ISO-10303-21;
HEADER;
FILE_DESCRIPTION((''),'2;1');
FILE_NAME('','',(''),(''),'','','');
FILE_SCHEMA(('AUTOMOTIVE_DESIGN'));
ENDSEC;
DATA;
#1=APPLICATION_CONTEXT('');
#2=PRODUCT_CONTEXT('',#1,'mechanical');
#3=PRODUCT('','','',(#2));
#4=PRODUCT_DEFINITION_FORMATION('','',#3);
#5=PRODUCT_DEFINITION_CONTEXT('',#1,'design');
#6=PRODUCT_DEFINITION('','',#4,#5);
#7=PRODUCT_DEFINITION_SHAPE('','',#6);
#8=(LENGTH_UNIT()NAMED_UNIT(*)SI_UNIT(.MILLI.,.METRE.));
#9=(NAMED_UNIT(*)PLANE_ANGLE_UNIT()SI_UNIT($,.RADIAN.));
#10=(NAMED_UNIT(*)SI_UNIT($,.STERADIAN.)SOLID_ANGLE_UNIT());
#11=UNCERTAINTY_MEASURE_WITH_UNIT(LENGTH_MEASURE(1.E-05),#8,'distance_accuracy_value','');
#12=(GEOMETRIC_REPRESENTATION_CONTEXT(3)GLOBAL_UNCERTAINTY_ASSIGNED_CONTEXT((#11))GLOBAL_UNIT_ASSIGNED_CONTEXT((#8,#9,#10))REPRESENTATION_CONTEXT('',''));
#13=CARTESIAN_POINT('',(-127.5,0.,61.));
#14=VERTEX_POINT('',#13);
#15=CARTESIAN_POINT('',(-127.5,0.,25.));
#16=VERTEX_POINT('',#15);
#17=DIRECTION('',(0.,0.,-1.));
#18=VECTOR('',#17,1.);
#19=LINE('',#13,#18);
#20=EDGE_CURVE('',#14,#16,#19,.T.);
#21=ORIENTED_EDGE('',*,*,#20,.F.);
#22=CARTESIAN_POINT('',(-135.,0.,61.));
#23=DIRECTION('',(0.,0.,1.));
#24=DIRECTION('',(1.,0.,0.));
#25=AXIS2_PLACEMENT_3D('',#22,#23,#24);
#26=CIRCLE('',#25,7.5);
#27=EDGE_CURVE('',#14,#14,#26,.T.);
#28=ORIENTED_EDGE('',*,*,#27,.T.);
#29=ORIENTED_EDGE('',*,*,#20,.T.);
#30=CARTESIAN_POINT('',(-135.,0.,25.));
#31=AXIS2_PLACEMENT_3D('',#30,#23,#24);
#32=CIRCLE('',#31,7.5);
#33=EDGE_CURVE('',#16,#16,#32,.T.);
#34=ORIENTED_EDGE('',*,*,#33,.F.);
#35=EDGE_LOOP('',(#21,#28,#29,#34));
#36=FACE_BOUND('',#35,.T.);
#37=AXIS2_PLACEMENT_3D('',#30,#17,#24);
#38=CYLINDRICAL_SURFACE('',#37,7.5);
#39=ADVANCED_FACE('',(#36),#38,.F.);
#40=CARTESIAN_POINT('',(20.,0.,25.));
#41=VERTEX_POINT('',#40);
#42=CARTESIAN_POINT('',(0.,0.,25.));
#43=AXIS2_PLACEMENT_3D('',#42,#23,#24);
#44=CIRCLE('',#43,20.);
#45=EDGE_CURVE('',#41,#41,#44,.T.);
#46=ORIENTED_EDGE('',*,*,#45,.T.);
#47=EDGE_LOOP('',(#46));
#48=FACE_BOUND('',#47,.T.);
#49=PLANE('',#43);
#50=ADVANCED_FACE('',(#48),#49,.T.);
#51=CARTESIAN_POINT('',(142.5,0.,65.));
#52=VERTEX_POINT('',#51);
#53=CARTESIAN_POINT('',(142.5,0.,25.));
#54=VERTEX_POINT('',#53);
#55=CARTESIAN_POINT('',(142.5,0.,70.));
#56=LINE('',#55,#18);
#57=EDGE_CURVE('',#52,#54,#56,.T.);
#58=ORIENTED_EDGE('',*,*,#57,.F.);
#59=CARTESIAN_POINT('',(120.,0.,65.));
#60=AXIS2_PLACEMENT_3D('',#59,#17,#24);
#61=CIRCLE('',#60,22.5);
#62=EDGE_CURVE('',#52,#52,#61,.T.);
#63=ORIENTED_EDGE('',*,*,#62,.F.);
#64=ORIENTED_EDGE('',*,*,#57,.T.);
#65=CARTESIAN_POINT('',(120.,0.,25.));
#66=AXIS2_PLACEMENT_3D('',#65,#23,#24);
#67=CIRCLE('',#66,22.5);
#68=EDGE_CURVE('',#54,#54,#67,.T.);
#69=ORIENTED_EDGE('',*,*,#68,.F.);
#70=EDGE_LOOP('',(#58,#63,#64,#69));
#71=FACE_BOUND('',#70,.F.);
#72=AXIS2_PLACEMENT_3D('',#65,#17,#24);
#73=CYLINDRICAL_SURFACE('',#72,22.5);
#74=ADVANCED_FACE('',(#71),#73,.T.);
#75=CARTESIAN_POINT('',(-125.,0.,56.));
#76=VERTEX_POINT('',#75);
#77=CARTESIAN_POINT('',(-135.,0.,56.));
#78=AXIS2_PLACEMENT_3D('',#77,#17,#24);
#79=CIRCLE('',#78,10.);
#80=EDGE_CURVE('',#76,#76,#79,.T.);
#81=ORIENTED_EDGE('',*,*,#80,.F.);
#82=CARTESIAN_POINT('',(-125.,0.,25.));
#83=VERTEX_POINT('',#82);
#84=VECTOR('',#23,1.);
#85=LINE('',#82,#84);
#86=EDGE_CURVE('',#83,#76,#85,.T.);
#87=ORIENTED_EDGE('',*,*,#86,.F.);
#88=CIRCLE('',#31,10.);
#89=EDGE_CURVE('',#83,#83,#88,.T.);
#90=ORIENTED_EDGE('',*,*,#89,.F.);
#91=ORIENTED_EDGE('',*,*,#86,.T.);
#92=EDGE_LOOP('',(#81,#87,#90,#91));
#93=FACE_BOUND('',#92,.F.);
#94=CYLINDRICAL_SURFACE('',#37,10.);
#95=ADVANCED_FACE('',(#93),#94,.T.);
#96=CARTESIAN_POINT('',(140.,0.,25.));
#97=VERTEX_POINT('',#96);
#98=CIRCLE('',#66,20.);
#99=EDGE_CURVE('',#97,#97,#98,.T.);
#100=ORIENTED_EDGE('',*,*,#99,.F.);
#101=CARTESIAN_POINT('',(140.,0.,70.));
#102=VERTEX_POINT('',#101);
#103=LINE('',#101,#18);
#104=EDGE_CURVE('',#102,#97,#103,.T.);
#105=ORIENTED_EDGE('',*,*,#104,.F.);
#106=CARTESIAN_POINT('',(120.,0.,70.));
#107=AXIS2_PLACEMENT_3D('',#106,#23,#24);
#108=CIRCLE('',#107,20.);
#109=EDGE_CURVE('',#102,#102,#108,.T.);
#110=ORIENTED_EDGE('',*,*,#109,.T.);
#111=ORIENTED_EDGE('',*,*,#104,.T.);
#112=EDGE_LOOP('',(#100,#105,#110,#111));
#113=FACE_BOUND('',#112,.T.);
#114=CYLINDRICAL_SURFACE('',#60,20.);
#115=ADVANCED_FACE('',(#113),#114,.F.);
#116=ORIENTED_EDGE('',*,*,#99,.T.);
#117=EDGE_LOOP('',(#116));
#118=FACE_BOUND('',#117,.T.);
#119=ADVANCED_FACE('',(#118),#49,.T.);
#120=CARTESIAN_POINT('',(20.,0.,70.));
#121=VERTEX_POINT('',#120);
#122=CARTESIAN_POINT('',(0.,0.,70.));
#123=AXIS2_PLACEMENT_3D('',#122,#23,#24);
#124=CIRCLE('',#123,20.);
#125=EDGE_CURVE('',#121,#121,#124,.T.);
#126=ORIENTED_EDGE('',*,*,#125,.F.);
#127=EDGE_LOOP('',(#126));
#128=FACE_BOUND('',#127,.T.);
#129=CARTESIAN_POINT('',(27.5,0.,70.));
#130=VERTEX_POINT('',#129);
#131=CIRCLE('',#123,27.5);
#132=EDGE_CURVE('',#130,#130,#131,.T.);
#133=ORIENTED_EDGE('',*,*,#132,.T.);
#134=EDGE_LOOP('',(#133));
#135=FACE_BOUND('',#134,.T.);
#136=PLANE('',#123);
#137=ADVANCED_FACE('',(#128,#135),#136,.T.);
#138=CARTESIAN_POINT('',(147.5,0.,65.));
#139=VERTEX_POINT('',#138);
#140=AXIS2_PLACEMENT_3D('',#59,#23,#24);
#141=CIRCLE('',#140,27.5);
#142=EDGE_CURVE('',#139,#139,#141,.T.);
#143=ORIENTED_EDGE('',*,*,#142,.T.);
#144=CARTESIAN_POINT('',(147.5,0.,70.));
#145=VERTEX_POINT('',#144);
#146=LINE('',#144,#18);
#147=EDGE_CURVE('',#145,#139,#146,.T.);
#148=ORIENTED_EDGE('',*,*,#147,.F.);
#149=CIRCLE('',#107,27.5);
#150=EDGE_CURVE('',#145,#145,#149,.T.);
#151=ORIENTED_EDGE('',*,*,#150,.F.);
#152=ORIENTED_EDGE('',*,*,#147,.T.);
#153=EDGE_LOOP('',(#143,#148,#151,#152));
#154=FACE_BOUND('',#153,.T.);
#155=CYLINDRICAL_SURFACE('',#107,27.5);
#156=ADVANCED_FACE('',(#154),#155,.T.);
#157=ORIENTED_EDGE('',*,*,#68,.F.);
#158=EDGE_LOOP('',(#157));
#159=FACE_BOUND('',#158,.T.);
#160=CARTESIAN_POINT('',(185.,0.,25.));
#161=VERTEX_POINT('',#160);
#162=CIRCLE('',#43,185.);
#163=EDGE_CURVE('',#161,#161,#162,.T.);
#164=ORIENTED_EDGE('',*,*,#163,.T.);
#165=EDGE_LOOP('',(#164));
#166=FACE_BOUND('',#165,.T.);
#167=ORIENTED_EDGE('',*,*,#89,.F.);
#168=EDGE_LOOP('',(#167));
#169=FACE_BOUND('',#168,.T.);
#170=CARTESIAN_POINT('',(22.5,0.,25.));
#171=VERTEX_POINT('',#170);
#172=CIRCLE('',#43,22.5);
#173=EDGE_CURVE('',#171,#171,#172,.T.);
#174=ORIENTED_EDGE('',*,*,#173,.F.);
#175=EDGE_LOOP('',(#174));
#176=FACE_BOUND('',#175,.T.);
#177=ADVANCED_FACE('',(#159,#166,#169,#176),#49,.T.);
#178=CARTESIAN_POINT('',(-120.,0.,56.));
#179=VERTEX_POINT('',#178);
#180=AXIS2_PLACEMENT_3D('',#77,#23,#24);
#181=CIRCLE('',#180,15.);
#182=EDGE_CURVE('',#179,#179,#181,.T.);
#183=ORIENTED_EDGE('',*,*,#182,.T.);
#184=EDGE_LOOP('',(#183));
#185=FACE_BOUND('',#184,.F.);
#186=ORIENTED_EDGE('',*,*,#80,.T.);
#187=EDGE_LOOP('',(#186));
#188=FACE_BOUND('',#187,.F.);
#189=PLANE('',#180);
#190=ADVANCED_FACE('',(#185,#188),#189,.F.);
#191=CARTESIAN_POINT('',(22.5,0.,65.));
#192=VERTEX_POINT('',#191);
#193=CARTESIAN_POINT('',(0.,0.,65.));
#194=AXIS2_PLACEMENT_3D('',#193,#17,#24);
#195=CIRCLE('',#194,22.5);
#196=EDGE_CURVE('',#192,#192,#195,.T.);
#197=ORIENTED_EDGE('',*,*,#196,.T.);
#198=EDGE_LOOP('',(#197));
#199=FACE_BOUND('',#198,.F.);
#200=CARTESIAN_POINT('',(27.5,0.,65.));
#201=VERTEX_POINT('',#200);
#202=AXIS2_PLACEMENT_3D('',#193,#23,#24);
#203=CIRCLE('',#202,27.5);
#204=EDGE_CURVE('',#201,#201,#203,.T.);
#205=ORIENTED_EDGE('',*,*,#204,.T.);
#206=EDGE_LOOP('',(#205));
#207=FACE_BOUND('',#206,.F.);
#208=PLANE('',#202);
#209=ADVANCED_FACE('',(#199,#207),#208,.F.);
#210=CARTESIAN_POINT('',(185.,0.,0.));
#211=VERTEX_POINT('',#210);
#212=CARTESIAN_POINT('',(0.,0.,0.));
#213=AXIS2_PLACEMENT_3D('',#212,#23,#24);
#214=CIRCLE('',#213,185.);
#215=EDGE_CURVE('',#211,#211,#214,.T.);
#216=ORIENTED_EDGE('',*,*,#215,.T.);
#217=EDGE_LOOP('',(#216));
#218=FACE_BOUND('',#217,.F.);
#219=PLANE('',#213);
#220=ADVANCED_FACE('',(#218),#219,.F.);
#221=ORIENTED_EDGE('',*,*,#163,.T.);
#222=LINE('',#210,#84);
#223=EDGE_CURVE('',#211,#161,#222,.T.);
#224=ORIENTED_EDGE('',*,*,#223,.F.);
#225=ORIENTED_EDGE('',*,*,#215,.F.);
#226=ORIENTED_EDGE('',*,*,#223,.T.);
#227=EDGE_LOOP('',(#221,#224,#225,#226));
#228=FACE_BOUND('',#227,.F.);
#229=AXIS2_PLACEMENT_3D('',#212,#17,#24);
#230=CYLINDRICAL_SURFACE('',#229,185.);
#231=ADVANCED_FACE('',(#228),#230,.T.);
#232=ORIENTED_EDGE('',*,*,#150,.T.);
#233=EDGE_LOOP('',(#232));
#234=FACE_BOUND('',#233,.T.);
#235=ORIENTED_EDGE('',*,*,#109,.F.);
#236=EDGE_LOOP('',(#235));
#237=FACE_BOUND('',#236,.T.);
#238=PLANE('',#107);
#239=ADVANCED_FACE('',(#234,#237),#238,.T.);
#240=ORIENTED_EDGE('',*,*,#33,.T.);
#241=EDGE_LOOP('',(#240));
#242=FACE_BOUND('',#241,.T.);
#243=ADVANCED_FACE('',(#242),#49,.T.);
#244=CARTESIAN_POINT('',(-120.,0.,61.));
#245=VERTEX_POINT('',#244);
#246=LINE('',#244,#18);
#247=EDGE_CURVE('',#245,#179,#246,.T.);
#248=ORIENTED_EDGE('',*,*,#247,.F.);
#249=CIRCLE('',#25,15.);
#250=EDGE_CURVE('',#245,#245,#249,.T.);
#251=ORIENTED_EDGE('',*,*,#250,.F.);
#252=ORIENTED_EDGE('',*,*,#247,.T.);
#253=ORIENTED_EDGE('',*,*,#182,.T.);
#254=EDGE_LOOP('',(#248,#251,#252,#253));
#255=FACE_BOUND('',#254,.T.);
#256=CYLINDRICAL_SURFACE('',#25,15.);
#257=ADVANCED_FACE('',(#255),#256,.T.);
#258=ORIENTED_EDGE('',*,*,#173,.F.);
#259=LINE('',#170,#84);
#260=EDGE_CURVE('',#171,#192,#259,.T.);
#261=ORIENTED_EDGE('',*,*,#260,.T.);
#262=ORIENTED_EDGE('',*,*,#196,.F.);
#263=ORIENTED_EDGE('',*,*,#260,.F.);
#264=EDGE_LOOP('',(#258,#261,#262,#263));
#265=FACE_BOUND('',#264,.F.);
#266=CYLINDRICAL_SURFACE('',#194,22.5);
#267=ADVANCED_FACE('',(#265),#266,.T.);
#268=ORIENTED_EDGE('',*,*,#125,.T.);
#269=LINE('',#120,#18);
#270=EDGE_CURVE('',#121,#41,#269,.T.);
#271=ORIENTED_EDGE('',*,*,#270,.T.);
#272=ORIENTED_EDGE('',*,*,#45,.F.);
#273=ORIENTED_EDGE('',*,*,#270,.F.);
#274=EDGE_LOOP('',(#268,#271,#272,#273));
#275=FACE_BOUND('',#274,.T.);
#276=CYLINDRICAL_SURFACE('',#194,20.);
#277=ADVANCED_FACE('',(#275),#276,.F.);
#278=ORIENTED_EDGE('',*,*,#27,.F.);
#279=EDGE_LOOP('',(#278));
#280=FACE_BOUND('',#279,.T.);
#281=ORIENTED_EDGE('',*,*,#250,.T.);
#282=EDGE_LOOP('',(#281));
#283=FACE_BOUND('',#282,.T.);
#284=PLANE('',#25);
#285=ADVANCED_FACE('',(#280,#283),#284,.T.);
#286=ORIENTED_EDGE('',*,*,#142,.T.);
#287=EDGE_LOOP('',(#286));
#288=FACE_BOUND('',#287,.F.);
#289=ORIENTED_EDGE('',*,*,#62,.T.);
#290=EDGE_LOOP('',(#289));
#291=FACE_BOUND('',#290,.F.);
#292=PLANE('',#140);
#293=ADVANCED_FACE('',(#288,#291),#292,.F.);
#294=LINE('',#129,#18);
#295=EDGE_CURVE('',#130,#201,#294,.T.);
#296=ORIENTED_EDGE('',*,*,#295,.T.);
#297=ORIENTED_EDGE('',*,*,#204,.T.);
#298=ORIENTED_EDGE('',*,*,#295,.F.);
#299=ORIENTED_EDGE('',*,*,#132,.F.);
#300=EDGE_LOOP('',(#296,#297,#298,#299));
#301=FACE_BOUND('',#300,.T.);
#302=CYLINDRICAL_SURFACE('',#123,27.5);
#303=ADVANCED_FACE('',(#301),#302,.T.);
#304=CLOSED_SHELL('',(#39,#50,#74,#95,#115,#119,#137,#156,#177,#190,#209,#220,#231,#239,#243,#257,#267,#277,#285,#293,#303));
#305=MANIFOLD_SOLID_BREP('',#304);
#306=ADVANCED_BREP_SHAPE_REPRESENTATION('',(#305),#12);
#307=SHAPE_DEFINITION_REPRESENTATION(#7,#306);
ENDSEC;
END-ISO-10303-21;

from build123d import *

# Parameters (mm, degrees)
F0_R        = 185
F1_DEPTH    = 25
F2_R        = 22.5
F2_R_2      = 20
F3_DEPTH    = 40
F2_R_3      = 10
F2_R_4      = 7.5
F4_DEPTH    = 36
F3_FACE_R   = 22.5
F3_FACE_R_2 = 20
F5_DEPTH    = 5
F6_R        = 27.5
F6_R_2      = 20
F7_DEPTH    = 5
F8_R        = 15
F8_R_2      = 7.5
F9_DEPTH    = 5


with BuildPart() as f1:
    # F0 (on Top) → F1 (new body)
    with BuildSketch(Plane.XY):
        Circle(F0_R)
    extrude(amount=F1_DEPTH)

    # F2 (on face) → F3 (join)
    with BuildSketch(Plane.XY.offset(25)):
        Circle(F2_R)
        Circle(F2_R_2, mode=Mode.SUBTRACT)
        with Locations((120, 0)):
            Circle(F2_R)
        with Locations((120, 0)):
            Circle(F2_R_2, mode=Mode.SUBTRACT)
    extrude(amount=F3_DEPTH)

    # F2 (on face) → F4 (join)
    with BuildSketch(Plane.XY.offset(25)):
        with Locations((120, 0)):
            Circle(F2_R)
        with Locations((120, 0)):
            Circle(F2_R_2, mode=Mode.SUBTRACT)
        Circle(F2_R)
        Circle(F2_R_2, mode=Mode.SUBTRACT)
        with Locations((-135, 0)):
            Circle(F2_R_3)
        with Locations((-135, 0)):
            Circle(F2_R_4, mode=Mode.SUBTRACT)
    extrude(amount=F4_DEPTH)

    # F3_face (on face) → F5 (join)
    with BuildSketch(Plane.XY.offset(65)):
        Circle(F3_FACE_R)
        Circle(F3_FACE_R_2, mode=Mode.SUBTRACT)
        with Locations((120, 0)):
            Circle(F3_FACE_R)
        with Locations((120, 0)):
            Circle(F3_FACE_R_2, mode=Mode.SUBTRACT)
    extrude(amount=F5_DEPTH)

    # F6 (on face) → F7 (join)
    with BuildSketch(Plane.XY.offset(70)):
        with Locations((120, 0)):
            Circle(F6_R)
        with Locations((120, 0)):
            Circle(F6_R_2, mode=Mode.SUBTRACT)
        Circle(F6_R)
        Circle(F6_R_2, mode=Mode.SUBTRACT)
    extrude(amount=-F7_DEPTH)

    # F8 (on face) → F9 (join)
    with BuildSketch(Plane.XY.offset(61)):
        with Locations((-135, 0)):
            Circle(F8_R)
        with Locations((-135, 0)):
            Circle(F8_R_2, mode=Mode.SUBTRACT)
    extrude(amount=-F9_DEPTH)


solid = f1.part
